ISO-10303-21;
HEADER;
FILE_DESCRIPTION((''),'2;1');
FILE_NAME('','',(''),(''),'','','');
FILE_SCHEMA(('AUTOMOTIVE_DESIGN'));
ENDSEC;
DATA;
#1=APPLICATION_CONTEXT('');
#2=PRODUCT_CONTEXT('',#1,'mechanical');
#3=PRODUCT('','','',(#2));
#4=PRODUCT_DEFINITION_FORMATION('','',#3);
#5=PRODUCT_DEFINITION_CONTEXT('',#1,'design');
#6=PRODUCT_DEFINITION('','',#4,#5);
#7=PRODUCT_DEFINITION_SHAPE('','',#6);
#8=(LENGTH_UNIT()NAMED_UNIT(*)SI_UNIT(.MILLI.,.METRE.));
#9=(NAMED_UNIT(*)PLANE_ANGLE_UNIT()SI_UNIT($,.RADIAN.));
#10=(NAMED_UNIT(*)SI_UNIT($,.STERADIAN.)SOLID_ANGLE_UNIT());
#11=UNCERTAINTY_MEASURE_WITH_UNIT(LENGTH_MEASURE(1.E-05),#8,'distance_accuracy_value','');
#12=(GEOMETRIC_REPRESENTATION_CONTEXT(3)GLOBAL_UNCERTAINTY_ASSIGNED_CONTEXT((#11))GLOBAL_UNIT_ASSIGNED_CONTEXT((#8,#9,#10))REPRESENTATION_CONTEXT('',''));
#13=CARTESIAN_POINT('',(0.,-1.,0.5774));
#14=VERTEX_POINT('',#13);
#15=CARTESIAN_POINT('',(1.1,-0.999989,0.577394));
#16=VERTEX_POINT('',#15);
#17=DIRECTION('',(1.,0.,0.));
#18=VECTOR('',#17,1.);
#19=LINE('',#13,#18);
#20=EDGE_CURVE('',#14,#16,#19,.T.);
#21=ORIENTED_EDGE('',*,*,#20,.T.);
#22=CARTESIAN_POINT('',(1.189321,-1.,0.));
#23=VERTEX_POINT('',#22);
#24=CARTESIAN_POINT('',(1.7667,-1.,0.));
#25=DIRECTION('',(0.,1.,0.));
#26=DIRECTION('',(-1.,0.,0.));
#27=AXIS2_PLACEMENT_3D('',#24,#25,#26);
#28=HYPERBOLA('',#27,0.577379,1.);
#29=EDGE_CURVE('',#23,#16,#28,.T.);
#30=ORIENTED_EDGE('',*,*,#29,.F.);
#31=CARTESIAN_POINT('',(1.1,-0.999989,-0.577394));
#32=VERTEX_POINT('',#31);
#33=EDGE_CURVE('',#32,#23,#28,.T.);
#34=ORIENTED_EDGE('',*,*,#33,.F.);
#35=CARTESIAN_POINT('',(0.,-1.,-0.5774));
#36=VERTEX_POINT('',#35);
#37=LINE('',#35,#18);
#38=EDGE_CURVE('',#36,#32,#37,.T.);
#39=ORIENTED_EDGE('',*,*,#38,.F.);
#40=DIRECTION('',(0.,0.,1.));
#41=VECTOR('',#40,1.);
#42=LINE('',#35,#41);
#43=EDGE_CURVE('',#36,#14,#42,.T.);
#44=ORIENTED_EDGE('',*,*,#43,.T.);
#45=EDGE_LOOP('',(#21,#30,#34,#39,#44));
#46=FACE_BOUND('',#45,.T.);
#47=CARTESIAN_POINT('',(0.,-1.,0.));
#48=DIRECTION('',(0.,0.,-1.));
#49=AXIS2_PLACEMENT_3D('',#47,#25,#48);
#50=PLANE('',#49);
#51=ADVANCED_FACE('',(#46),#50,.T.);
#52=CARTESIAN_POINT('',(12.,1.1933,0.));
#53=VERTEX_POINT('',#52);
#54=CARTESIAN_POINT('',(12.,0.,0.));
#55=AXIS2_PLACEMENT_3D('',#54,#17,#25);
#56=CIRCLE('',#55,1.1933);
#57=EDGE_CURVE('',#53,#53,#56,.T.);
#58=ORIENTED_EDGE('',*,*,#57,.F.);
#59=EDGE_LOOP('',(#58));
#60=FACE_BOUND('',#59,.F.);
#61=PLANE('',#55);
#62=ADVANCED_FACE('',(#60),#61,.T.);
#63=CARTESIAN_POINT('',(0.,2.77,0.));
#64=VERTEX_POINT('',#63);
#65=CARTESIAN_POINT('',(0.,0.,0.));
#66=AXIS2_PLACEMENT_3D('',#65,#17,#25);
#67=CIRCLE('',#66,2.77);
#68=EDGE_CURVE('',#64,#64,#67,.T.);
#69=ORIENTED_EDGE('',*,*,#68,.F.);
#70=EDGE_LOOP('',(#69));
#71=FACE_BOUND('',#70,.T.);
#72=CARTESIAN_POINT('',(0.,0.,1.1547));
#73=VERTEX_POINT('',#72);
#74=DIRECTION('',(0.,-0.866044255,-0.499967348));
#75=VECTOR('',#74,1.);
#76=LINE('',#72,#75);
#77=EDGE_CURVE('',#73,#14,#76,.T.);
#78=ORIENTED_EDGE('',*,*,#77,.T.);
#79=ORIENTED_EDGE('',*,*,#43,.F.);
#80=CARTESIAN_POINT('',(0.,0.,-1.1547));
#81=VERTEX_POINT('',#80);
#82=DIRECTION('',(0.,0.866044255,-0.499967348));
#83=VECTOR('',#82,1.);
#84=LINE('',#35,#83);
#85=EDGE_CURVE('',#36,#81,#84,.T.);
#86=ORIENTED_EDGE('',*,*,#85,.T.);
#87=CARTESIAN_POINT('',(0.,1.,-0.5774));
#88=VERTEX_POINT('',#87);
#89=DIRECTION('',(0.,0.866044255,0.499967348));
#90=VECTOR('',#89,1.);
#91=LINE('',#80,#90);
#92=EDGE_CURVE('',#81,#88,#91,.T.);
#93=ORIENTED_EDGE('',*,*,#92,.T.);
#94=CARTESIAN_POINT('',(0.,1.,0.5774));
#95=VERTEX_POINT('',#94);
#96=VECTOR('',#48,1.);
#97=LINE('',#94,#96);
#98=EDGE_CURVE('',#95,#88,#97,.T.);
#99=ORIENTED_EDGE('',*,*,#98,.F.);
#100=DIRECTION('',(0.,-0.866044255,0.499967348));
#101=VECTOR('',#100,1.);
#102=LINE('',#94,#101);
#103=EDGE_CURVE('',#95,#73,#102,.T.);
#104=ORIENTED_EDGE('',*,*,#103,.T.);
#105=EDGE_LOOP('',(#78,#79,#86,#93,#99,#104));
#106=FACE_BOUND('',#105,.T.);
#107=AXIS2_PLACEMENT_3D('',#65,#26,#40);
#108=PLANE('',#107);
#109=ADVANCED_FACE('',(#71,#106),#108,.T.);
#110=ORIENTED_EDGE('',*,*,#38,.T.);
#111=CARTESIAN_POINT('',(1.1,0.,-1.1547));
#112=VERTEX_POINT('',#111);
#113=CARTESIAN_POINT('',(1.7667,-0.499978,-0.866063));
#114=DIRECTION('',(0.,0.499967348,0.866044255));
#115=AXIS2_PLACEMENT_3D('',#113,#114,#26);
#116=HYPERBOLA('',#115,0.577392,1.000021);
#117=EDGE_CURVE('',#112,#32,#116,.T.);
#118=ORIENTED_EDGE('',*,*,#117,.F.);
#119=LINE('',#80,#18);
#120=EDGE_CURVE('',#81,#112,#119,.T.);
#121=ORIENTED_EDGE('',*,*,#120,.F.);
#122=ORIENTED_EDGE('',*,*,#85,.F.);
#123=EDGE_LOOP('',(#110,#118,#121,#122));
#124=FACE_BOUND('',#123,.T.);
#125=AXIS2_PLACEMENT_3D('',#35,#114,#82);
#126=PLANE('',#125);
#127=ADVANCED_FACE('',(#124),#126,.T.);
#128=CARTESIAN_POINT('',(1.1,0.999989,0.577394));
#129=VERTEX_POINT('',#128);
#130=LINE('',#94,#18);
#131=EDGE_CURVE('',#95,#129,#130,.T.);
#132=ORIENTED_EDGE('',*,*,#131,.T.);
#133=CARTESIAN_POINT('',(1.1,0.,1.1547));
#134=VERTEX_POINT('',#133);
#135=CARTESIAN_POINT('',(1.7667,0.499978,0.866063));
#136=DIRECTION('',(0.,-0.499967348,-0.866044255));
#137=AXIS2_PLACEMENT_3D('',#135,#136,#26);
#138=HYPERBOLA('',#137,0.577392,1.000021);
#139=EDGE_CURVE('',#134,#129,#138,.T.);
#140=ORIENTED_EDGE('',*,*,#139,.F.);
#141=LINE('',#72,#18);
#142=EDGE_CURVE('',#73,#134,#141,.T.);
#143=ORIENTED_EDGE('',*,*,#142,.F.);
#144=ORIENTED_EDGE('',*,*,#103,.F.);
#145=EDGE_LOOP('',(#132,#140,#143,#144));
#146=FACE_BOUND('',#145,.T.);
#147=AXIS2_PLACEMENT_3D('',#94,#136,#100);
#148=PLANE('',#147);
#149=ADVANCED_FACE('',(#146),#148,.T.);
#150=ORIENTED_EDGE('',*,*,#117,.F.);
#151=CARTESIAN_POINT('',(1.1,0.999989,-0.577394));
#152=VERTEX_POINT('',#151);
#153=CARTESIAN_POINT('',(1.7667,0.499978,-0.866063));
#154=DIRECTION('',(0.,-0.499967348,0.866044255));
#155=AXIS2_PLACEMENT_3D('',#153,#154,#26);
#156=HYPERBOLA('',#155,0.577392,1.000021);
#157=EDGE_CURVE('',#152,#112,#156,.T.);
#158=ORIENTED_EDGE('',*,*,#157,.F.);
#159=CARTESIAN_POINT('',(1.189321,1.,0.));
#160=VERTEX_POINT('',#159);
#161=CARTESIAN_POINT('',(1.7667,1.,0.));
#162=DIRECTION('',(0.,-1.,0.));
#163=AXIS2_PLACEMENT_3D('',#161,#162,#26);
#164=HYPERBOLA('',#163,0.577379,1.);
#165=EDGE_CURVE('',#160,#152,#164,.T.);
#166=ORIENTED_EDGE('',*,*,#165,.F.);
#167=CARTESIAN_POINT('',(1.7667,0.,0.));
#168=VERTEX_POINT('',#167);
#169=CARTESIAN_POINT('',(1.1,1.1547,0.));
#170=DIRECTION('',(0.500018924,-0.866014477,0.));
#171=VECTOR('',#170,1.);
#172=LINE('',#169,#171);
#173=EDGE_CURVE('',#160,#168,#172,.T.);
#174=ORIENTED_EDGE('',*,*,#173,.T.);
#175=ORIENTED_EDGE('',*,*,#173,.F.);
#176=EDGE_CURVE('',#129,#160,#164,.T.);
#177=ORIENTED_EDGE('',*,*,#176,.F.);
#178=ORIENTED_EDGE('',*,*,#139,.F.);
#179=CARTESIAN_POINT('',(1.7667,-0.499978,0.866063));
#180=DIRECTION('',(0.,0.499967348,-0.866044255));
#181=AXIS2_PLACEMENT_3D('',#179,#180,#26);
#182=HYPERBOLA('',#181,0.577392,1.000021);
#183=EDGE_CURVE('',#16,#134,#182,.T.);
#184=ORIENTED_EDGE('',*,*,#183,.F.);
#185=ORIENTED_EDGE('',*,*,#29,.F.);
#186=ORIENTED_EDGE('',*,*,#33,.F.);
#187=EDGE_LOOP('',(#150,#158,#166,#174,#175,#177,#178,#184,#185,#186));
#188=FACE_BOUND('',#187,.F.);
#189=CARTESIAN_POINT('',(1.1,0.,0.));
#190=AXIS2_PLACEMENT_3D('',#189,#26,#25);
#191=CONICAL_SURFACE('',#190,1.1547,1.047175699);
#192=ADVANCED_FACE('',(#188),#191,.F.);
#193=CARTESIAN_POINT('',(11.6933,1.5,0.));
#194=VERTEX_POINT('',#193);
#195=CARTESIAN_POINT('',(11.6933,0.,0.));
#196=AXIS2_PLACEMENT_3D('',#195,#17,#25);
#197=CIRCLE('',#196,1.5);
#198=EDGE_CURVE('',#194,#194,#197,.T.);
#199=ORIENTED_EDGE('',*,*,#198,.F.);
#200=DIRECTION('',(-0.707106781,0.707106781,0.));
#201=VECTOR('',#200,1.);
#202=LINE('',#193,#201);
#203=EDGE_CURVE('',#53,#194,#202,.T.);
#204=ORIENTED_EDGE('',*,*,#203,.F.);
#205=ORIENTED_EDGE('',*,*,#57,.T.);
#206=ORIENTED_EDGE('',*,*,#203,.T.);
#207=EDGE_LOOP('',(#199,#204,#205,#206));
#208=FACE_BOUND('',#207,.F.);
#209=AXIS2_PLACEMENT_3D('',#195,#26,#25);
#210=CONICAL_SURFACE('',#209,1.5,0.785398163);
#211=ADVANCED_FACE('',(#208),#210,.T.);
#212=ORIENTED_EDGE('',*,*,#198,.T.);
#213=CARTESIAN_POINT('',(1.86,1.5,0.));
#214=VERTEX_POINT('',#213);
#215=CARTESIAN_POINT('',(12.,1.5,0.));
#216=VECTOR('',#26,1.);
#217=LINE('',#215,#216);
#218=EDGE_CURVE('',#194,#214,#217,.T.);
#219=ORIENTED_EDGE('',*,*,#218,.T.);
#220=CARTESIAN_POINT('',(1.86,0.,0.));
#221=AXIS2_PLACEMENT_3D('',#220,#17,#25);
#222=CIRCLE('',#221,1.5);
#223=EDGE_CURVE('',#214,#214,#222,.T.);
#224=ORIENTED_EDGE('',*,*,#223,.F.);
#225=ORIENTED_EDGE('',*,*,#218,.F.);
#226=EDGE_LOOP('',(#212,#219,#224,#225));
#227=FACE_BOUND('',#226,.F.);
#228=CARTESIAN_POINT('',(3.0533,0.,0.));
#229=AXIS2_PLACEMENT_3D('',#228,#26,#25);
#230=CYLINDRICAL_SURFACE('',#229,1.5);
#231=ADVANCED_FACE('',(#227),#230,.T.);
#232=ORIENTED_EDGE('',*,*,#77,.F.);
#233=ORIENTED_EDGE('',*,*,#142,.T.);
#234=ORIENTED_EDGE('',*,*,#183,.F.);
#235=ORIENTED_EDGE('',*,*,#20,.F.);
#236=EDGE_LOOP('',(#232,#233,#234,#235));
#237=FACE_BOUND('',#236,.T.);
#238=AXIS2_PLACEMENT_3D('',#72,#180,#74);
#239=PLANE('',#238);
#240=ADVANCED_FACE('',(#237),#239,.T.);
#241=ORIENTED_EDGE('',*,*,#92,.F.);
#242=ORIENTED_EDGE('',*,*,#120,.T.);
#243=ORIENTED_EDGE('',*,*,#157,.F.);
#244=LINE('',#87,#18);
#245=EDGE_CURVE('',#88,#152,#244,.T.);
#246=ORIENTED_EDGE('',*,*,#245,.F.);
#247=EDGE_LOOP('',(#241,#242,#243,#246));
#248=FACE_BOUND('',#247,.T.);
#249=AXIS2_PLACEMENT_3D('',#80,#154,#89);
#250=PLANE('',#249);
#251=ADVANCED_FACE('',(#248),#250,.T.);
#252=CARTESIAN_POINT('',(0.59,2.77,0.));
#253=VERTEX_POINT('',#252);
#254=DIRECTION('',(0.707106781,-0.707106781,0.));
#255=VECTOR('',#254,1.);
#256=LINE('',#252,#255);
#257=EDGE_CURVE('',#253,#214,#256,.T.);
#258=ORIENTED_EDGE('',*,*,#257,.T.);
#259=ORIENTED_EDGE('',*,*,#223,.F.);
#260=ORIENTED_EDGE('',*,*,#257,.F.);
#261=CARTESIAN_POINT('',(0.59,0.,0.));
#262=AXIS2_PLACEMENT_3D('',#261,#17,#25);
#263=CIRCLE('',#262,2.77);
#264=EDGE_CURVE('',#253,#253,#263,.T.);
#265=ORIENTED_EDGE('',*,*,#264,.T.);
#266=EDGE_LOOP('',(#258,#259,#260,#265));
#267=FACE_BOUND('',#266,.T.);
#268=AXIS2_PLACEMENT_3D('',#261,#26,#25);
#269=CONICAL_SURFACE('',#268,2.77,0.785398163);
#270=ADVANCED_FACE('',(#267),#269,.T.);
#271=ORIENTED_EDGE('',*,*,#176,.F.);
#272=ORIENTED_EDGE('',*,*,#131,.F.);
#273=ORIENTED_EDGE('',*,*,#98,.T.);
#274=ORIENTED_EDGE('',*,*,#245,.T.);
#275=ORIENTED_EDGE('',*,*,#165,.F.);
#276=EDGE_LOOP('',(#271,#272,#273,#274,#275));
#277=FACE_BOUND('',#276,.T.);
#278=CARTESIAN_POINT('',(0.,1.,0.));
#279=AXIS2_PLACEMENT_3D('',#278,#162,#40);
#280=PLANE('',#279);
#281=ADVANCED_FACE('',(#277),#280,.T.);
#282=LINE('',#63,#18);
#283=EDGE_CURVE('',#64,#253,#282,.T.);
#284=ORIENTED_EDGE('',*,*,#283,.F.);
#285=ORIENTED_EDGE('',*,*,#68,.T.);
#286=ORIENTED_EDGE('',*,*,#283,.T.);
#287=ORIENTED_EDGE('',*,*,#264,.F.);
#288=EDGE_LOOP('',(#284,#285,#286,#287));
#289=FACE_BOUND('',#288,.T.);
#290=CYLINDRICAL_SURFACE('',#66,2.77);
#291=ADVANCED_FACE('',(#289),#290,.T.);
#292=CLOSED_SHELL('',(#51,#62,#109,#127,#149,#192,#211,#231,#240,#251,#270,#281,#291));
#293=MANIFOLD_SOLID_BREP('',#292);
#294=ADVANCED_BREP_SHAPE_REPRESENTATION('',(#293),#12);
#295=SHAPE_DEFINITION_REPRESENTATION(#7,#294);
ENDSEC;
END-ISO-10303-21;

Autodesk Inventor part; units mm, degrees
ref_plane "YZ Plane" through (0, 0, 0) normal (1, 0, 0) x (0, 1, 0)
ref_plane "XZ Plane" through (0, 0, 0) normal (0, 1, 0) x (-1, 0, 0)
sketch "Sketch1" plane through (0, 0, 0) normal (0, 0, 1) x (1, 0, 0)
  line L0 (12, 0) -> (12, 1.5)
  line L1 (12, 1.5) -> (3.36, 1.5)
  line L2 (3.36, 1.5) -> (3.0533, 1.5)
  line L3 (0, 2.77) -> (0, 1.1547)
  line L4 (0, 1.1547) -> (1.1, 1.1547)
  line L5 (1.1, 1.1547) -> (1.7667, 0)
  line L6 (1.7667, 0) -> (12, 0)
  line L7 (0, 2.77) -> (0.59, 2.77)
  line L8 (0.59, 2.77) -> (1.86, 1.5)
  line L9 (3.0533, 1.5) -> (1.86, 1.5)
  line L10 (3.36, 1.5) -> (1.86, 1.5) construction
  line L11 (1.86, 1.5) -> (1.86, 1.5)
  line L12 (-25.4, 0) -> (152.4, 0) projected
  line L13 (0, -2.1133) -> (0, 12.6797) projected
  dimension "d0" = 12
  dimension "d1" = 8.64
  dimension "d2" = 1.1
  dimension "d3" = 3
  dimension "d6" = 1.86
  dimension "d7" = 45
  dimension "d8" = 2.3094
  dimension "d9" = 60
  dimension "d10" = 5.54
  dimension "d11" = 3
  dimension "d12" = 0.3067
revolve "Body" add sketch "Sketch1" angle 360 about axis through (1.7667, 0, 0) along (1, 0, 0) contours L6 L5 L4 L3 L7 L8 L9 L2 L1 L0
sketch "Sketch2" plane through (0, 0, 0) normal (-1, 0, 0) x (0, 0, 1)
  circle A0 centre (0, 0) radius 1.1547 projected
  line L0 (0, -6.4055) -> (0, 6.4055) projected
  line L1 (-6.4055, 0) -> (6.4055, 0) projected
  line L2 (1.1547, 0) -> (0.5774, -1)
  line L3 (0.5774, -1) -> (-0.5774, -1)
  line L4 (-0.5774, -1) -> (-1.1547, 0)
  line L5 (-1.1547, 0) -> (-0.5774, 1)
  line L6 (-0.5774, 1) -> (0.5774, 1)
  line L7 (0.5774, 1) -> (1.1547, 0)
  point P0 (0, 1.1547)
extrude "Slot" add sketch "Sketch2" against normal up to next contours L7 A0 | A0 L2 | L6 L0 A0 | A0 L0 L3 | L0 L6 A0 | A0 L3 L0 | L4 A0 | A0 L5
thread "Thread" size "M14x2" class "6g" standard "ISO Metric profile" length 8.64
chamfer "Chamfer1" distance 0.3067 distance2 0.3067 1 edges at (12, -1.5, 0) measured on face at (12, -0.3743, -0.3316)
ref_plane "Work Plane1" through (104.775, 0, 0) normal (0, 0, -1) x (1, 0, 0)
equation "\"d15\" = GEL"
equation "\"d17\" = -0.5 * SPD + 0.5 * GD"
equation "\"d18\" = GUL"
equation "\"d0\" = NLG"
equation "\"d1\" = GEL"
equation "\"d2\" = INTI"
equation "\"d3\" = GD"
equation "\"d6\" = KOH"
equation "\"d7\" = 0.5 * SEWI"
equation "\"d8\" = 1.1547 * SW"
equation "\"d10\" = KOD"
equation "\"d11\" = BDM"
equation "\"d12\" = GAL"
equation "\"NLG\" = 12"
equation "\"INTI\" = 1.1"
equation "\"GEL\" = 8.64"
equation "\"GAL\" = 0.61345 * PTC"
equation "\"KOH\" = 1.86"
equation "\"KOD\" = 5.54"
equation "\"GUL\" = 0.61345 * PTC"
equation "\"SPD\" = NND - 1.2269 * PTC"
equation "\"BDM\" = NND"
equation "\"GD\" = NND"
equation "\"SEWI\" = 90deg"
equation "\"SW\" = 2"
equation "\"TOA\" = 30deg"
equation "\"GD1\" = THREADDIA - 1.2269 * PTC"
equation "\"EPV\" = 3.36"
equation "\"THREADDIA\" = 3"
equation "\"PTC\" = 0.5"
equation "\"NND\" = 3"
equation "\"E0\" = 2.31"
properties part number "ISO 10642  - M3  x  12" material "Steel"
